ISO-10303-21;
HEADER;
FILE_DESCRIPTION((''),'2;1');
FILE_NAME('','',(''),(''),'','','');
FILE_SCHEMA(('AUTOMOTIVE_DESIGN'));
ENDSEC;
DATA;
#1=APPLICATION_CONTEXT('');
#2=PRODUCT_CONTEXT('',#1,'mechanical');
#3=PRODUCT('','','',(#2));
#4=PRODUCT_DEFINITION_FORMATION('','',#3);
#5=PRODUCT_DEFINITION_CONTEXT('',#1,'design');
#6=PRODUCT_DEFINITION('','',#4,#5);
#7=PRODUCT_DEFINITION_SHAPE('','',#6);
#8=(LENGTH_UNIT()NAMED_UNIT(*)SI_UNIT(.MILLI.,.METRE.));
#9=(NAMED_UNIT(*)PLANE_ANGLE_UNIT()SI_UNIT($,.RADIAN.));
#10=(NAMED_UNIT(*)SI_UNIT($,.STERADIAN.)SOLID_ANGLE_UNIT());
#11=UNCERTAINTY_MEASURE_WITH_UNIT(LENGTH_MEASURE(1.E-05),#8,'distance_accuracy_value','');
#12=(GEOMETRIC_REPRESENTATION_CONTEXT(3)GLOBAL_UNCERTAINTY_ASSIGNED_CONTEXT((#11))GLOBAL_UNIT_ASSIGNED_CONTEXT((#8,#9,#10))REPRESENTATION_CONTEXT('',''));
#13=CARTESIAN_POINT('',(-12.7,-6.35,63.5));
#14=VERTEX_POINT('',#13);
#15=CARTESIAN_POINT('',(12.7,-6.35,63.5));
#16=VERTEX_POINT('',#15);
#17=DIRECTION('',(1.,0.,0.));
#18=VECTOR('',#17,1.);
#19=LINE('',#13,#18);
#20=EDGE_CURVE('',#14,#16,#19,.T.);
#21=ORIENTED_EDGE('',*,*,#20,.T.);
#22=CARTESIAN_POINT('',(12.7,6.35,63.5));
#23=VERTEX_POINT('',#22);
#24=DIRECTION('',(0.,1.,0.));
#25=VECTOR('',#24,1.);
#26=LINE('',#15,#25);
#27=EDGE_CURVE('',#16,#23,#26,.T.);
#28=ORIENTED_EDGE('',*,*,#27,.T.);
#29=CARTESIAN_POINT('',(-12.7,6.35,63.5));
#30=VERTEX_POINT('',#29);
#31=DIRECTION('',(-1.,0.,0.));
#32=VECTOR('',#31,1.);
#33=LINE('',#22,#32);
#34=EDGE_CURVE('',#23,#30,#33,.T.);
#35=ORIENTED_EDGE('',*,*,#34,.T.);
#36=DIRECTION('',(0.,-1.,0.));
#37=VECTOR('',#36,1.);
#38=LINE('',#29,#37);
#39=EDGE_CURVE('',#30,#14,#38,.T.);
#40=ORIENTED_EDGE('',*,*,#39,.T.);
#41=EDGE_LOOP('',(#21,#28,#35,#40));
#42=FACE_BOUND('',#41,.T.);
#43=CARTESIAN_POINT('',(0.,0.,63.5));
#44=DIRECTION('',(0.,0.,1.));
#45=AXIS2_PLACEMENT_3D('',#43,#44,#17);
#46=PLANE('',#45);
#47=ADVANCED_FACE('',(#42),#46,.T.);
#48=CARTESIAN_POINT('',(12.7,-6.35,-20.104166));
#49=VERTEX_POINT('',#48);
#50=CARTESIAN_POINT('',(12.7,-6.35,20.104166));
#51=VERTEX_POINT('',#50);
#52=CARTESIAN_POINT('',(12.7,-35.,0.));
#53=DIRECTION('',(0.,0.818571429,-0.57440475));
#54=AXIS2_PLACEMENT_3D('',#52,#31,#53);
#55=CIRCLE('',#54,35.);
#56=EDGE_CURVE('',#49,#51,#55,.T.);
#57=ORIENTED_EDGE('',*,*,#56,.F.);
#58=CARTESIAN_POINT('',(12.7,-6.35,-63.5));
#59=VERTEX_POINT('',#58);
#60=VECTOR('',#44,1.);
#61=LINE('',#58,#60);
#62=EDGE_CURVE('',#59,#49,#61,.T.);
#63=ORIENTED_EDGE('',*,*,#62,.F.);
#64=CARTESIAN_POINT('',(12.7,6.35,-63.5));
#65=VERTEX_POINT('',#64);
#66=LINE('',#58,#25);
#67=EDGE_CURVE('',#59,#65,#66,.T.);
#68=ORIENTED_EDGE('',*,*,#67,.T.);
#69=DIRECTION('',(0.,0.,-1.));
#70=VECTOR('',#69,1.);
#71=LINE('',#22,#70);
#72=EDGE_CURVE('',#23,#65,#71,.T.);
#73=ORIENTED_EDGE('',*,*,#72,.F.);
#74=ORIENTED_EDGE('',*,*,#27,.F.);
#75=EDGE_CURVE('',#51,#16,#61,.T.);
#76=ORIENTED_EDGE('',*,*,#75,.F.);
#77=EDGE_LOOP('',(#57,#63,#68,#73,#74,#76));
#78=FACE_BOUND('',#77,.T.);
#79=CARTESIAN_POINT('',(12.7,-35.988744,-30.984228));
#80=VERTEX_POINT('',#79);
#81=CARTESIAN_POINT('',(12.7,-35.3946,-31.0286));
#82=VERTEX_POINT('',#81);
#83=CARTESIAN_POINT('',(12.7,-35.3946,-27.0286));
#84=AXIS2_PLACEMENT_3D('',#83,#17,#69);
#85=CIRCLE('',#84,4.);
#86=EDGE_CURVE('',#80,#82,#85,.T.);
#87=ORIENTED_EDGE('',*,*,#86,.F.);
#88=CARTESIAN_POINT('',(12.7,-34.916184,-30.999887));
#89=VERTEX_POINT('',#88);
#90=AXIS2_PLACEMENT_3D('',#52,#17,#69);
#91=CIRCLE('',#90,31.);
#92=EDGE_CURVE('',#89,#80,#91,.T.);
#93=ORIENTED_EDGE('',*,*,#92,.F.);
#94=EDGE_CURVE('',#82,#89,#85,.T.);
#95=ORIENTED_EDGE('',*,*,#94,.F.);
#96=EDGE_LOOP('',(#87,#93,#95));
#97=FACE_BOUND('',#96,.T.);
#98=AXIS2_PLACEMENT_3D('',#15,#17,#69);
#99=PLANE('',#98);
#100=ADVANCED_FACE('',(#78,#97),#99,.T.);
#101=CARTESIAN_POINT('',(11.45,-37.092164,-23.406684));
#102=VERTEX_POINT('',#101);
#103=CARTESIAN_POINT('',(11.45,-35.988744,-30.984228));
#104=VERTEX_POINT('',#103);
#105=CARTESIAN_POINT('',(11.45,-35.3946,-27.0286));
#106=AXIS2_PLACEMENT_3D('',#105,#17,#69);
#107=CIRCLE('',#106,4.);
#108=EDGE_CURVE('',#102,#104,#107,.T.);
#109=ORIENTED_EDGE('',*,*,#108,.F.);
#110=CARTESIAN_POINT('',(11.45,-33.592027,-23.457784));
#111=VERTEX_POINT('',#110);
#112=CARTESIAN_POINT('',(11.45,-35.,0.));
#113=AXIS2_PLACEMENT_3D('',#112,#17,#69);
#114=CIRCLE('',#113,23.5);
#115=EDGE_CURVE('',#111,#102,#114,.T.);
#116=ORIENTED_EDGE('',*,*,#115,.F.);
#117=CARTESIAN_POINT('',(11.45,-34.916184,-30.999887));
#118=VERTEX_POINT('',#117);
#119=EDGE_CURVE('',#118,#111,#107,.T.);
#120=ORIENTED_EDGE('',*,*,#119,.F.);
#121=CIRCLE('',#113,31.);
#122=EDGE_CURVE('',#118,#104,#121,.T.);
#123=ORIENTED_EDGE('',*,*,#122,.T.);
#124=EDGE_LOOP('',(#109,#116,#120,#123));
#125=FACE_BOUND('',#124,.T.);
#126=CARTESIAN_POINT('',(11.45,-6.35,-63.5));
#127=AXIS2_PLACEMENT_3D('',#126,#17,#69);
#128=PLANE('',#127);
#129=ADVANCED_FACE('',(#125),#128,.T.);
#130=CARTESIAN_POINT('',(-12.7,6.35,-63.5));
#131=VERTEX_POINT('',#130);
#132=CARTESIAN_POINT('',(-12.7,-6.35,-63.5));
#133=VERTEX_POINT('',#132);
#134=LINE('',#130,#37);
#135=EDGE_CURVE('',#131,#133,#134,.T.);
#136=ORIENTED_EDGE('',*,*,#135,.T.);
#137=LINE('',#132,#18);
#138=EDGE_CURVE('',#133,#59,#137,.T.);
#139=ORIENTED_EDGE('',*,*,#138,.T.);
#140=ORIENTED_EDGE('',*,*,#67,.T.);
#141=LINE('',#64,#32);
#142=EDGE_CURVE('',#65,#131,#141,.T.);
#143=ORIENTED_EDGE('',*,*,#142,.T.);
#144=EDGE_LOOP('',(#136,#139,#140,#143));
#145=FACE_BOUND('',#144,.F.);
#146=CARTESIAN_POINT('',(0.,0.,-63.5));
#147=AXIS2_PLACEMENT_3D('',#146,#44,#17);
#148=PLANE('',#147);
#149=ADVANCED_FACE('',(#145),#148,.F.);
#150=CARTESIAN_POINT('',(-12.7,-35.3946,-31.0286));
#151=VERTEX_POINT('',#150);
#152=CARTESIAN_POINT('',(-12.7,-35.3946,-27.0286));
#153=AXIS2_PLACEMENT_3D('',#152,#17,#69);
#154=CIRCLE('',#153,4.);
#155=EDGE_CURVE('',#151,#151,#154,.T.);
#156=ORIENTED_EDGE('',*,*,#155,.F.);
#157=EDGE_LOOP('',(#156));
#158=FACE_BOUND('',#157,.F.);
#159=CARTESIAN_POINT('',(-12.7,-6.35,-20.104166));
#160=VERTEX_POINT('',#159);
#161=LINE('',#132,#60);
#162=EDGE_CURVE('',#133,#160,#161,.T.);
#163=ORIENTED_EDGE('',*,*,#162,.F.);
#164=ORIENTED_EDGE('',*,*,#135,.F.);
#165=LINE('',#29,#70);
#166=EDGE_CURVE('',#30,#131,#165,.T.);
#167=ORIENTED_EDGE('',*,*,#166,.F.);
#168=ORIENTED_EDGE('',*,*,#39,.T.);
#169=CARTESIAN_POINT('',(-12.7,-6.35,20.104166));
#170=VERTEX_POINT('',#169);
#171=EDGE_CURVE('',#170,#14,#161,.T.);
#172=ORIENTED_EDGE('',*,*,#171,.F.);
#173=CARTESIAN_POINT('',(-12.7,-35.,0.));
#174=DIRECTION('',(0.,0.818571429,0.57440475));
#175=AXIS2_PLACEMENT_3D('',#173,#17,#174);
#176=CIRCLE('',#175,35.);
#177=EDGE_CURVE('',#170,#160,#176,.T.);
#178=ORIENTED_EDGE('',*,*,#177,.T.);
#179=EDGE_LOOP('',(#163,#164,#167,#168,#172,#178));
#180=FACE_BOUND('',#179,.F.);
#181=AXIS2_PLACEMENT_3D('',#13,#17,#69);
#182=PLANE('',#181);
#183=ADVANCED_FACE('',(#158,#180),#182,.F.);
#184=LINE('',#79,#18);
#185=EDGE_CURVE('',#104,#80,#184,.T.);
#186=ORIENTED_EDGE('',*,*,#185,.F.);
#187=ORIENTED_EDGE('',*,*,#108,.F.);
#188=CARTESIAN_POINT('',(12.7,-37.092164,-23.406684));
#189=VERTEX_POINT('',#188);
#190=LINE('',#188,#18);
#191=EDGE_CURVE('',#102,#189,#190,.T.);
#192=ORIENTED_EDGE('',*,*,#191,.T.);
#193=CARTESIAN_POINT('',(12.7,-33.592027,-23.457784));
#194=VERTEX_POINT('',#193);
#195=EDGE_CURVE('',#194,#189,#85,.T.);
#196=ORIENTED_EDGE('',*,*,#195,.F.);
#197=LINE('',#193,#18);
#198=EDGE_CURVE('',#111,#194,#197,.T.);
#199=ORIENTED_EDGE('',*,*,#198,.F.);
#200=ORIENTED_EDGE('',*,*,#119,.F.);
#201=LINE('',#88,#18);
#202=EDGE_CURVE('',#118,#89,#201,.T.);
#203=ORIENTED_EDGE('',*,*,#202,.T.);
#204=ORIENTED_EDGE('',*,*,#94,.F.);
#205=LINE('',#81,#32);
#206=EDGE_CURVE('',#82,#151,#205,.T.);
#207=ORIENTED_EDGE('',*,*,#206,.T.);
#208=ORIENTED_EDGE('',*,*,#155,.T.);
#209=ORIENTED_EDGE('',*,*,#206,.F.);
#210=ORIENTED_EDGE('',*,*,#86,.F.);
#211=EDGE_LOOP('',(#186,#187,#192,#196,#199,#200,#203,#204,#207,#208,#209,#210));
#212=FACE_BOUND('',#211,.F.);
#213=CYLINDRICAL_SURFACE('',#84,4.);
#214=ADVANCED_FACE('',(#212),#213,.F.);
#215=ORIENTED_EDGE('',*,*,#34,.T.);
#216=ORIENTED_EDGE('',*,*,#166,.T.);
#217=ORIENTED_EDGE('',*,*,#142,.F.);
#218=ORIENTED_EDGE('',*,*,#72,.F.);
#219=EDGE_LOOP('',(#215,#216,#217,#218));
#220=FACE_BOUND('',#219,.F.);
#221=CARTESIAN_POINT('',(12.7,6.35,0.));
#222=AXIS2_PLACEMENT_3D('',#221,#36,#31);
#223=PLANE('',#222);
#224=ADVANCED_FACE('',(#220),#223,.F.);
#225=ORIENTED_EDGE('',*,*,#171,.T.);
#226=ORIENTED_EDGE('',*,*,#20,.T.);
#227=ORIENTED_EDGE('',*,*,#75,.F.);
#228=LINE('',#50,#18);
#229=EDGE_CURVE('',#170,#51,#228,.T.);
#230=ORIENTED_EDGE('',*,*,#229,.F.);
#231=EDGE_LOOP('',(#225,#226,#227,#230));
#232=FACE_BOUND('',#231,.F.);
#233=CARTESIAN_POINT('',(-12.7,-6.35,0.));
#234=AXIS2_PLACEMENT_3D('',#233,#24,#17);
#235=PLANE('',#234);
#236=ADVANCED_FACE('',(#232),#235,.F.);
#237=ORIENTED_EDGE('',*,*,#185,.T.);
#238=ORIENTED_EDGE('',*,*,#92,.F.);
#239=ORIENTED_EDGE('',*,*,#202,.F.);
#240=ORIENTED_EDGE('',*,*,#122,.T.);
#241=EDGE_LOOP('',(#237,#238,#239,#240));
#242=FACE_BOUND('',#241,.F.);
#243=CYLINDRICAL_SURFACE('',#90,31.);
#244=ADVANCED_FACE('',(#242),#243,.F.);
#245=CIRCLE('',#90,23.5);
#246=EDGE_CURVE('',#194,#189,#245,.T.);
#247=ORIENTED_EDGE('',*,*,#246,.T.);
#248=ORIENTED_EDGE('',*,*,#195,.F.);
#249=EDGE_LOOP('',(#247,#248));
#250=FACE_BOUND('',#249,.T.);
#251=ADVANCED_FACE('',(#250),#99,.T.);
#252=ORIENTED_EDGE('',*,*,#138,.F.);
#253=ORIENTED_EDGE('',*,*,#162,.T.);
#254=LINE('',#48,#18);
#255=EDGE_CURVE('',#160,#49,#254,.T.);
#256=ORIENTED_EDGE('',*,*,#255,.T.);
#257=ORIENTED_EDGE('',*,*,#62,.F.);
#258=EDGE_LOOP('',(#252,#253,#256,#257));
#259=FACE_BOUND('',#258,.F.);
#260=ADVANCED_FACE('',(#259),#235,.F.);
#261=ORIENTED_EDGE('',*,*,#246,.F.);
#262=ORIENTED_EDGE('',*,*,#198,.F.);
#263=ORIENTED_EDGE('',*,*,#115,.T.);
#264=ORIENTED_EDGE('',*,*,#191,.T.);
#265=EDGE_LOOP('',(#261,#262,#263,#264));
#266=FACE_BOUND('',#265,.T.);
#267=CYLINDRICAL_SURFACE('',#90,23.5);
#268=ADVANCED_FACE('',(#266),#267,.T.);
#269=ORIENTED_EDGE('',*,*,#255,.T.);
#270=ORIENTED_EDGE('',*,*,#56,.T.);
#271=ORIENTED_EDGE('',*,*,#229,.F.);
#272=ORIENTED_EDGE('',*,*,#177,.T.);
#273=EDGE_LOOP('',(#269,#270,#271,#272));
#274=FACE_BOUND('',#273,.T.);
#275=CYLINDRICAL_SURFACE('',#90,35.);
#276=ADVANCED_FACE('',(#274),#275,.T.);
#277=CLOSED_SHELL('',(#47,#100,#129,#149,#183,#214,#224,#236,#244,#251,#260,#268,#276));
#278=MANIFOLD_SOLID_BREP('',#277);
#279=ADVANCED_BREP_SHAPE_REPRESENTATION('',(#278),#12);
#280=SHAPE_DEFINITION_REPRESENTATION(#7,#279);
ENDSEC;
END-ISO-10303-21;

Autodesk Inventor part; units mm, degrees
ref_plane "YZ Plane" through (0, 0, 0) normal (1, 0, 0) x (0, 1, 0)
ref_plane "XZ Plane" through (0, 0, 0) normal (0, 1, 0) x (-1, 0, 0)
ref_plane "XY Plane" through (0, 0, 0) normal (0, 0, 1) x (1, 0, 0)
sketch "Sketch1" plane through (0, 0, 0) normal (0, 0, 1) x (1, 0, 0)
  line L0 (-12.7, -6.35) -> (12.7, -6.35)
  line L1 (12.7, -6.35) -> (12.7, 6.35)
  line L2 (12.7, 6.35) -> (-12.7, 6.35)
  line L3 (-12.7, 6.35) -> (-12.7, -6.35)
  line L4 (-12.7, -6.35) -> (12.7, 6.35) construction
  line L5 (12.7, -6.35) -> (-12.7, 6.35) construction
  point P0 (0, 0)
  dimension "d0" = 25.4
  dimension "d1" = 12.7
extrude "Extrusion1" add sketch "Sketch1" along normal mid plane 127
sketch "Sketch2" plane through (12.7, -6.35, 63.5) normal (1, 0, 0) x (0, 0, -1)
  line L0 (0, 0) -> (0, 12.7) construction
  line L1 (0, 6.35) -> (127, 6.35) construction
  line L2 (127, 12.7) -> (127, 0) construction
  line L3 (63.5, 6.35) -> (63.5, -28.65) construction
  circle A0 centre (63.5, -28.65) radius 35
  dimension "d4" = 35
  dimension "d5" = 70
extrude "Extrusion2" add sketch "Sketch2" against normal blind 25.4
sketch "Sketch3" plane through (12.7, -6.35, -63.5) normal (1, 0, 0) x (0, 0, -1)
  circle A0 centre (-63.5, -28.65) radius 0.1553
  line L0 (-63.5, 6.35) -> (-63.5, -28.65) construction
  circle A1 centre (-63.5, -28.65) radius 23.5
  circle A2 centre (-63.5, -28.65) radius 31
  dimension "d8" = 35
  dimension "d9" = 62
  dimension "d10" = 47
extrude "Extrusion3" cut sketch "Sketch3" against normal blind 1.25 contours A2
sketch "Sketch4" plane through (12.7, -35, 0) normal (1, 0, 0) x (0, 0, -1)
  circle A0 centre (27.0286, -0.3946) radius 4
  point P0 (0, 35)
  dimension "d16" = 8
extrude "Extrusion5" cut sketch "Sketch4" against normal blind 25.4
properties part number "Camera Mount"
